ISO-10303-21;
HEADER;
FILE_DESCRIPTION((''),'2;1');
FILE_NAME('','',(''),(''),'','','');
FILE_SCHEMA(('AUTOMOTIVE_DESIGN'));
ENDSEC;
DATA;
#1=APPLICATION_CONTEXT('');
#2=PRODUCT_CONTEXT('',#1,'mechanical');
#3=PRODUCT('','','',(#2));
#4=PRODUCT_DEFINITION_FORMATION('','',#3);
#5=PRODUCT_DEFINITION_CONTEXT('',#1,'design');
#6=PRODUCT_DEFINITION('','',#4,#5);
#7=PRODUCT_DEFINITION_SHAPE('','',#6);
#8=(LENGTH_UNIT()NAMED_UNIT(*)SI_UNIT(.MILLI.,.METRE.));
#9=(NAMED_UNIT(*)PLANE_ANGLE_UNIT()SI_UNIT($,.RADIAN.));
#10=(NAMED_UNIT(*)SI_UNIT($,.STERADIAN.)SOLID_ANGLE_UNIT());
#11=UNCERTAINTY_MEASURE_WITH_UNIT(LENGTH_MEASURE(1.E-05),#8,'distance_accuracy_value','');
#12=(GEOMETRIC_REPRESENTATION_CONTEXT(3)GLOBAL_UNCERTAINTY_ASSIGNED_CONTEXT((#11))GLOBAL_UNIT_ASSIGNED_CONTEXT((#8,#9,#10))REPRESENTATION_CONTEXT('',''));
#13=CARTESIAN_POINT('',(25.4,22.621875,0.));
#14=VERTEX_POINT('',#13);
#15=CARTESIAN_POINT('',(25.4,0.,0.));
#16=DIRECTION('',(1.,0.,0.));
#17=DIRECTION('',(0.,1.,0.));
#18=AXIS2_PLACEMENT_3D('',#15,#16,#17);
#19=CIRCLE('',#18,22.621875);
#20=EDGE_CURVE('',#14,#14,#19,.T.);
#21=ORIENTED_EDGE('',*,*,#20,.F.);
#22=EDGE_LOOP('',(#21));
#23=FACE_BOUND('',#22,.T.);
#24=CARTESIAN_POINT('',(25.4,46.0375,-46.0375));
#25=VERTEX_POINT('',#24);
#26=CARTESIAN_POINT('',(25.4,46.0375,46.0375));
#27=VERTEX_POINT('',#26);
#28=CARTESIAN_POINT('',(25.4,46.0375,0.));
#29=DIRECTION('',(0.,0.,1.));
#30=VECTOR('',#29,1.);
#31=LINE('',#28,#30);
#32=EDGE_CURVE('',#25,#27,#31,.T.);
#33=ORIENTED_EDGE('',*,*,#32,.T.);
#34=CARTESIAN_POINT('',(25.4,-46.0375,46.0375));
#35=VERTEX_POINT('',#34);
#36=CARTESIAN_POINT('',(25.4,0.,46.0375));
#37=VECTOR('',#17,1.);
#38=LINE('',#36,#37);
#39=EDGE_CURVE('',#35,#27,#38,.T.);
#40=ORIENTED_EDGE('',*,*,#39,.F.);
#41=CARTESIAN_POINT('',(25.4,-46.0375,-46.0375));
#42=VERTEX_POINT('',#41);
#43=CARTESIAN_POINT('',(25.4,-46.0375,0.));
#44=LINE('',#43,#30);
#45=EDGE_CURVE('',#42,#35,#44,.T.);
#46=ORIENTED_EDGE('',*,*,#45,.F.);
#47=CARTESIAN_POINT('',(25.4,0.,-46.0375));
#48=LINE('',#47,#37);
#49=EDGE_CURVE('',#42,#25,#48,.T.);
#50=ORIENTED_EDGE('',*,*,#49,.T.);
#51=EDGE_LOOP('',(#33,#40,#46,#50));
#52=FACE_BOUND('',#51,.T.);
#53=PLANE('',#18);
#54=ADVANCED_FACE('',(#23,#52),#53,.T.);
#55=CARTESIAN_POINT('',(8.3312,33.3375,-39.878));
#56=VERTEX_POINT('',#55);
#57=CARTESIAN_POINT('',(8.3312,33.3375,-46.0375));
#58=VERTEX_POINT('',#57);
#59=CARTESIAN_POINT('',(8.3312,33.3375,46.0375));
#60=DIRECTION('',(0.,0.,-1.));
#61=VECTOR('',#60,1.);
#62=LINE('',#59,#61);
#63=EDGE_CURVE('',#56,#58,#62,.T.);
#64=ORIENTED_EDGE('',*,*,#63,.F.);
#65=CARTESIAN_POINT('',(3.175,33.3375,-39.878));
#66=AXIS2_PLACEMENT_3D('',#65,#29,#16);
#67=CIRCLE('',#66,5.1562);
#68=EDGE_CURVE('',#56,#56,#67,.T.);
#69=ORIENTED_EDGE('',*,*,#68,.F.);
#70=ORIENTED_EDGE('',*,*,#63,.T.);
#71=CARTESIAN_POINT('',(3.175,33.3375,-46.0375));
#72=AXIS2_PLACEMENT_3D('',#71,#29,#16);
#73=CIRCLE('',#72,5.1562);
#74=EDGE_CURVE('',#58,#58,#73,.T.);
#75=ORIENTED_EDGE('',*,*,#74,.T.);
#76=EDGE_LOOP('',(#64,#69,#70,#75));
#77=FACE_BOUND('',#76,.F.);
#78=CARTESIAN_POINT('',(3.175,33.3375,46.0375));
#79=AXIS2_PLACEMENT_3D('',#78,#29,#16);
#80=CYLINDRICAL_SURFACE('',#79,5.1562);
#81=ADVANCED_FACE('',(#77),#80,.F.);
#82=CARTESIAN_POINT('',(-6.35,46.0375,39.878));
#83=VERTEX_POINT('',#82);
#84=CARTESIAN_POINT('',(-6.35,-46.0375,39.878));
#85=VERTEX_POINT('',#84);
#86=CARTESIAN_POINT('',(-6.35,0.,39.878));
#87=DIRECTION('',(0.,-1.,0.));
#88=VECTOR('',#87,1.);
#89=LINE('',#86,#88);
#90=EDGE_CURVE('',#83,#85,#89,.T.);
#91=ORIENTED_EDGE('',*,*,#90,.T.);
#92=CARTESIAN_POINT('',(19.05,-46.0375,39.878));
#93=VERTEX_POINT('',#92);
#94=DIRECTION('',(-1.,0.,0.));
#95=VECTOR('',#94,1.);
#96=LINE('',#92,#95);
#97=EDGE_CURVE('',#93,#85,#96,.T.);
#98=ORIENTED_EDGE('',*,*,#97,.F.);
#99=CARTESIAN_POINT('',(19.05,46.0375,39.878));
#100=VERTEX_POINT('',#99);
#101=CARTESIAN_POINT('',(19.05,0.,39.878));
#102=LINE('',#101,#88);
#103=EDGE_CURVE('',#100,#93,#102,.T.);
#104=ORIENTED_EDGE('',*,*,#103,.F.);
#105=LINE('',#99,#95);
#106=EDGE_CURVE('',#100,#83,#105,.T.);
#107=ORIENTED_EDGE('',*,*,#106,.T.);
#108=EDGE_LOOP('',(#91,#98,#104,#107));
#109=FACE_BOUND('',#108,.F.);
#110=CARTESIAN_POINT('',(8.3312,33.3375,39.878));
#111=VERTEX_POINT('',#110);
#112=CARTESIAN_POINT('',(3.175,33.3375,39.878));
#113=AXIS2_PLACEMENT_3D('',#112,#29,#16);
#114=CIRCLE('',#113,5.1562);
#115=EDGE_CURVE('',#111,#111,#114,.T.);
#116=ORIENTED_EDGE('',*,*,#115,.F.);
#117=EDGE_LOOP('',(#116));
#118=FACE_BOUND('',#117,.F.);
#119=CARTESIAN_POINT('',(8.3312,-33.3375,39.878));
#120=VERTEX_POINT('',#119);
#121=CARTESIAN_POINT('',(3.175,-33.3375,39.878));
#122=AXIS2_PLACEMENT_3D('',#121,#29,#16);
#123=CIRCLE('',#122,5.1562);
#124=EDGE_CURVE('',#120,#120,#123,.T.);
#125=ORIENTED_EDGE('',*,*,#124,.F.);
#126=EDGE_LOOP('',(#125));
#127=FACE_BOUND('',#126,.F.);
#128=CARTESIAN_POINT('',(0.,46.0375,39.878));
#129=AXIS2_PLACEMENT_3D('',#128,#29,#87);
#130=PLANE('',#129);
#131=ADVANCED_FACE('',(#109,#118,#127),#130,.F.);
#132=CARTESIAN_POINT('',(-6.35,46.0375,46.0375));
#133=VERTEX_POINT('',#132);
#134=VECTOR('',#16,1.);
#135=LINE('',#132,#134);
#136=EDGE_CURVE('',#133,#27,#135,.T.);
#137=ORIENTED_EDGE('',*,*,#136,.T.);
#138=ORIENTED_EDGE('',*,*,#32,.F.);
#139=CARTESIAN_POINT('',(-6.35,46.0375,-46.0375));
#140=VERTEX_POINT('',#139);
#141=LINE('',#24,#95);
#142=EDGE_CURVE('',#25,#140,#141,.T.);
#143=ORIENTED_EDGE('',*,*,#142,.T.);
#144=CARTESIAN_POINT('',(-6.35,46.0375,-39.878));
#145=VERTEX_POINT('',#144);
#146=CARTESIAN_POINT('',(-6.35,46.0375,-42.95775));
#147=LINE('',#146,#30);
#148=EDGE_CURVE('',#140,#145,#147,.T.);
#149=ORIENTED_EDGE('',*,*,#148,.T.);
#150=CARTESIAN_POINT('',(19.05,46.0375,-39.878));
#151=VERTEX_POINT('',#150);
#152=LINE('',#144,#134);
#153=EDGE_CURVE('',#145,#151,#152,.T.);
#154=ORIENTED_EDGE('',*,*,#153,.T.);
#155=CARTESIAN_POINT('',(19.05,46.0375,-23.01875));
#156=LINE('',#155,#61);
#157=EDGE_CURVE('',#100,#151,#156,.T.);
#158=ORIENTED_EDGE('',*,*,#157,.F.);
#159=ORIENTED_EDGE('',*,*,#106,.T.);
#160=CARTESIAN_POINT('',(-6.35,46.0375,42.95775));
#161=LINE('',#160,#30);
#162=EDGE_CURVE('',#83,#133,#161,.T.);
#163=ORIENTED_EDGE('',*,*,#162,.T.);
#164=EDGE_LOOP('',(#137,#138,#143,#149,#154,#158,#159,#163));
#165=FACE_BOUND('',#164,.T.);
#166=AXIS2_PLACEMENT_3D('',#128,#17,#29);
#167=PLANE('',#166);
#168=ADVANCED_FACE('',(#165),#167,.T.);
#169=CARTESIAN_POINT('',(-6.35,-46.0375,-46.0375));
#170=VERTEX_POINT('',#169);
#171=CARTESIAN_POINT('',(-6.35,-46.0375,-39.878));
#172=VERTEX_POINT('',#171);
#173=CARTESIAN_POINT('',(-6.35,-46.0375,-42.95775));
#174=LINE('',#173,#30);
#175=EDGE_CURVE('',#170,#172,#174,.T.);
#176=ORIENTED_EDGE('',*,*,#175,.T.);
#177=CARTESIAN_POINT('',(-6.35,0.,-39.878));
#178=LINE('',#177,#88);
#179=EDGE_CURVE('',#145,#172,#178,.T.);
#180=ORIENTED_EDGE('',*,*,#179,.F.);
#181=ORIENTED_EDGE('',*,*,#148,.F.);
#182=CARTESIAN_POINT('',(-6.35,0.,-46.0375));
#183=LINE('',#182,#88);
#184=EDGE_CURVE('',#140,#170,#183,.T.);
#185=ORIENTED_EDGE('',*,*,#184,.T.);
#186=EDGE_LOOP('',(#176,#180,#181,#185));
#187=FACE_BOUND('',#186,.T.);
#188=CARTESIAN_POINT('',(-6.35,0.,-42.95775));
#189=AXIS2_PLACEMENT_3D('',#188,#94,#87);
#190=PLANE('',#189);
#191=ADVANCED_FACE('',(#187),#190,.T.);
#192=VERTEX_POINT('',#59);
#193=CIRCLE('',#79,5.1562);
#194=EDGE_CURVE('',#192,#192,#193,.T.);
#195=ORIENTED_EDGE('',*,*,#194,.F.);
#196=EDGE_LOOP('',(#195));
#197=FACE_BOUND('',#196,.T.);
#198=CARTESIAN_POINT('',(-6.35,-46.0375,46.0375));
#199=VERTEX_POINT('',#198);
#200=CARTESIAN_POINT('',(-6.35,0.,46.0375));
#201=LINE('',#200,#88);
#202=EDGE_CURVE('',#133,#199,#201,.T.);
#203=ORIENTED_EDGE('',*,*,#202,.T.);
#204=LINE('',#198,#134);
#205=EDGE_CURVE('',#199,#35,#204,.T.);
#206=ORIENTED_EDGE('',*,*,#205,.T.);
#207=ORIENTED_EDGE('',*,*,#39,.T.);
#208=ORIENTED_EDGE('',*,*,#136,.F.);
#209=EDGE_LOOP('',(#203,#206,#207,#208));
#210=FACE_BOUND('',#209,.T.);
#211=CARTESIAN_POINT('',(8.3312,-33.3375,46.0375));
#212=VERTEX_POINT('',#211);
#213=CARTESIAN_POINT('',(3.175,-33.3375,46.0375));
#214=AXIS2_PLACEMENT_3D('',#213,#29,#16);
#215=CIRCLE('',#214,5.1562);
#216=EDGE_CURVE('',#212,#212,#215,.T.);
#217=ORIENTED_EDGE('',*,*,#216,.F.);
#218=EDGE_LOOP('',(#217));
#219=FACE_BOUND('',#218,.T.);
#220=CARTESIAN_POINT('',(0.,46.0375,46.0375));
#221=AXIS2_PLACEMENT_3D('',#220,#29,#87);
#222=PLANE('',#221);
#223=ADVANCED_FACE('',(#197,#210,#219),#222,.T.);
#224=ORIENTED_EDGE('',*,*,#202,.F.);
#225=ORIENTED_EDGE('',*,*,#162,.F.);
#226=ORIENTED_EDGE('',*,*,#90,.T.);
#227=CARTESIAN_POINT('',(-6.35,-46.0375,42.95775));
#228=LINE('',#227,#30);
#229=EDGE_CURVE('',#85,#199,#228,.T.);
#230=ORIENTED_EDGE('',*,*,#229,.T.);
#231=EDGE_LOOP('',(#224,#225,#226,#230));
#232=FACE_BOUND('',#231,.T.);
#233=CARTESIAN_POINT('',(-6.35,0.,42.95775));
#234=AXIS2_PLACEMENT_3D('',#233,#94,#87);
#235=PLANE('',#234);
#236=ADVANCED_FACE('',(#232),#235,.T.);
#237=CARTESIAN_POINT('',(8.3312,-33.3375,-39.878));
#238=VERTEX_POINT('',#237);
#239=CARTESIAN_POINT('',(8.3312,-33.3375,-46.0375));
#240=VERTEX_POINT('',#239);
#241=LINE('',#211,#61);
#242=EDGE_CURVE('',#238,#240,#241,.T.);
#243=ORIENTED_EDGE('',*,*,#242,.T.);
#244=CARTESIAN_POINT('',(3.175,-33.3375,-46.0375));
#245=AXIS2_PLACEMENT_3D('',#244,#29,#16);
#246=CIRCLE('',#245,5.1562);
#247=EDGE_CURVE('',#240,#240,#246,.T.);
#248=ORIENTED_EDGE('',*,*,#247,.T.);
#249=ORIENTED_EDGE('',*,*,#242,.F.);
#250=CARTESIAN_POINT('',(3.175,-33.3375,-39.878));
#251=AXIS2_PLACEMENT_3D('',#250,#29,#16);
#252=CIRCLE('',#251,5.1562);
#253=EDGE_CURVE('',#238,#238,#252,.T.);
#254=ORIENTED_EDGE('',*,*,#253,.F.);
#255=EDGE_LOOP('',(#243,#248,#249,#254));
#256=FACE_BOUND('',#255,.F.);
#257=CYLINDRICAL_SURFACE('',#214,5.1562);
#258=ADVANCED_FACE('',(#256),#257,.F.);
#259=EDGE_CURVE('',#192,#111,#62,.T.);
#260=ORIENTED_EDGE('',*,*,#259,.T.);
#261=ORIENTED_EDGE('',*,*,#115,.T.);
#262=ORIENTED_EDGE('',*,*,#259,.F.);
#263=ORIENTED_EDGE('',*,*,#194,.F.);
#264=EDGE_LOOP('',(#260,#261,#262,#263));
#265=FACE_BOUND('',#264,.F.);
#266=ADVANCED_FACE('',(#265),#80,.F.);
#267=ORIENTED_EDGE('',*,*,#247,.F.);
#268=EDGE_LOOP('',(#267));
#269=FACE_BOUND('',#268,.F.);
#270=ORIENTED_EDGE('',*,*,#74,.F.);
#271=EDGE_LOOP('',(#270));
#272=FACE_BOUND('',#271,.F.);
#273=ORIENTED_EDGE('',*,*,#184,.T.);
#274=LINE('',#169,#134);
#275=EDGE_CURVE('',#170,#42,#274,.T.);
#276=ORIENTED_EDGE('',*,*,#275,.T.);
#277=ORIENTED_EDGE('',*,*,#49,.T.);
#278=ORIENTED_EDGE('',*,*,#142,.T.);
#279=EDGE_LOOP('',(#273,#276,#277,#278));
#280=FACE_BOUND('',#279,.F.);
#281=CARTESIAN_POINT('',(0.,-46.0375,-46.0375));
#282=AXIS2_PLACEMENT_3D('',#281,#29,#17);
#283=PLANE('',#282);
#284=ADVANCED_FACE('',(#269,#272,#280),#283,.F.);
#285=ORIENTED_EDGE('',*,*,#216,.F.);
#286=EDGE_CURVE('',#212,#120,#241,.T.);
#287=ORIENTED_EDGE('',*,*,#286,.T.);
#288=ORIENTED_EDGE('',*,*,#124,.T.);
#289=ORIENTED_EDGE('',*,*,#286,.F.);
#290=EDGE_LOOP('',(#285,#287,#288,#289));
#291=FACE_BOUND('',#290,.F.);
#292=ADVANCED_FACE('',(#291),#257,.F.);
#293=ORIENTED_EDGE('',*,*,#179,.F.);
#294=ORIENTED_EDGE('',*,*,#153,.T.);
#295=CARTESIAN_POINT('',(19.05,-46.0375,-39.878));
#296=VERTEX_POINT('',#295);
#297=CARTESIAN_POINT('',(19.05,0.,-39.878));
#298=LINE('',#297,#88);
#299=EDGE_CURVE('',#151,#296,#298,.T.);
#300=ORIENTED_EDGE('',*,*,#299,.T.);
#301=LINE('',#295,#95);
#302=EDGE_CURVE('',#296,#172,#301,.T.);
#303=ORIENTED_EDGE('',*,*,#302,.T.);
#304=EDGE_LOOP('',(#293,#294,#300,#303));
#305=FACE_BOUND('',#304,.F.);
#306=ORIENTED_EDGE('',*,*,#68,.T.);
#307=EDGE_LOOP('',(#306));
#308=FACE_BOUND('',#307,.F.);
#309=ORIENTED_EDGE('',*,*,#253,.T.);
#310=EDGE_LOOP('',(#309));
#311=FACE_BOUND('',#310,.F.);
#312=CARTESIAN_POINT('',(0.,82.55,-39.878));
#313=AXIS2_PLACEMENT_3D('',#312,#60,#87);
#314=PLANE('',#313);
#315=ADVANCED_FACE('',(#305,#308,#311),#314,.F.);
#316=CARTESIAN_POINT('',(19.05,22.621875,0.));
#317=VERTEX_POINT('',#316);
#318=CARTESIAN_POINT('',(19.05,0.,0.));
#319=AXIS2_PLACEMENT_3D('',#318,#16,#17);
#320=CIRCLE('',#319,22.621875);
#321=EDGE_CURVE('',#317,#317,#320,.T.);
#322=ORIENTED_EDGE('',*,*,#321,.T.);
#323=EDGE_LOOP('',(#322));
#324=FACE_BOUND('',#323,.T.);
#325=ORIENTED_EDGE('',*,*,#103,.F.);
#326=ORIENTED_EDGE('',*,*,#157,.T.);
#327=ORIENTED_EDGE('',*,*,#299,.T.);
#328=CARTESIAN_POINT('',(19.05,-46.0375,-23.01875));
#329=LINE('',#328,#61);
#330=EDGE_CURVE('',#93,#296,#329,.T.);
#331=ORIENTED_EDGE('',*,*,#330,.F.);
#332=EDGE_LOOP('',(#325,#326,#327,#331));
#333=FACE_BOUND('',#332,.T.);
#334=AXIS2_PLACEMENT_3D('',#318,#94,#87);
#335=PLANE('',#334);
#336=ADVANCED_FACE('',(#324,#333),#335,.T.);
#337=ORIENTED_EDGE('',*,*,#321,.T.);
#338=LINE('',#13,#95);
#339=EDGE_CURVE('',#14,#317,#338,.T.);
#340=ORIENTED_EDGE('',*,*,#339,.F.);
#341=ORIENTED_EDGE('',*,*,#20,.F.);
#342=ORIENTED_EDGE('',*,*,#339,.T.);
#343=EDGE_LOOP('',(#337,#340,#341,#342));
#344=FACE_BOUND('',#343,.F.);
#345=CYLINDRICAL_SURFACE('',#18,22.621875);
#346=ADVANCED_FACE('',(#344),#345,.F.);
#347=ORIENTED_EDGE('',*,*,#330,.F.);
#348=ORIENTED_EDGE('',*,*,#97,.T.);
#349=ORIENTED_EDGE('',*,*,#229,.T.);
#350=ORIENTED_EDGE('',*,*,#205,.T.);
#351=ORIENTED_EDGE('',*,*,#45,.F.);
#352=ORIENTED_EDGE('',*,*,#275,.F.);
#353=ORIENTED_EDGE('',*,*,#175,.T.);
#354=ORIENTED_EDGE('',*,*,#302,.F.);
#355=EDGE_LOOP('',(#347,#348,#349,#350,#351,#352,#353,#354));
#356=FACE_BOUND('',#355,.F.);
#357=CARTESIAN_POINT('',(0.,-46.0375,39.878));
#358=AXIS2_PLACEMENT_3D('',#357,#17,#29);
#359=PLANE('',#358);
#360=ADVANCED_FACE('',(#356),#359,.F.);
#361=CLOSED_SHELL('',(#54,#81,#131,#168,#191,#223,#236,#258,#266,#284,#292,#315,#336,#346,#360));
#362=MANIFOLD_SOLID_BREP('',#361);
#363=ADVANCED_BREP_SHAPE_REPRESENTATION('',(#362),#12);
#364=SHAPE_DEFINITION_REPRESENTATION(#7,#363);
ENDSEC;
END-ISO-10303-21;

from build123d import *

# Parameters (mm, degrees)
F0_W     = 92.075
F0_H     = 92.075
F1_DEPTH = 25.4
F2_W     = 165.1
F2_H     = 79.756
F3_DEPTH = 19.05
F4_R     = 22.621875
F5_DEPTH = 25.401
F6_W     = 92.075
F6_H     = 6.1595
F7_DEPTH = 6.35
F8_R     = 5.1562
F9_DEPTH = 92.076


with BuildPart() as f1:
    # F0 (on Right) → F1 (new body)
    with BuildSketch(Plane.YZ):
        Rectangle(F0_W, F0_H)
    extrude(amount=F1_DEPTH)

    # F2 (on face) → F3 (cut)
    with BuildSketch(Plane(origin=(0, 0, 0), x_dir=(0, -1, 0), z_dir=(-1, 0, 0))):
        Rectangle(F2_W, F2_H)
    extrude(amount=-F3_DEPTH, mode=Mode.SUBTRACT)

    # F4 (on face) → F5 (cut, through all)
    with BuildSketch(Plane.YZ.offset(25.4)):
        Circle(F4_R)
    extrude(amount=-F5_DEPTH, mode=Mode.SUBTRACT)

    # F6 (on face) → F7 (join)
    with BuildSketch(Plane(origin=(0, 0, 0), x_dir=(0, -1, 0), z_dir=(-1, 0, 0))):
        with Locations((0, 42.95775)):
            Rectangle(F6_W, F6_H)
        with Locations((0, -42.95775)):
            Rectangle(F6_W, F6_H)
    extrude(amount=F7_DEPTH)

    # F8 (on face) → F9 (cut, through all)
    with BuildSketch(Plane.XY.offset(46.0375)):
        with Locations((3.175, -33.3375)):
            Circle(F8_R)
        with Locations((3.175, 33.3375)):
            Circle(F8_R)
    extrude(amount=-F9_DEPTH, mode=Mode.SUBTRACT)


solid = f1.part
